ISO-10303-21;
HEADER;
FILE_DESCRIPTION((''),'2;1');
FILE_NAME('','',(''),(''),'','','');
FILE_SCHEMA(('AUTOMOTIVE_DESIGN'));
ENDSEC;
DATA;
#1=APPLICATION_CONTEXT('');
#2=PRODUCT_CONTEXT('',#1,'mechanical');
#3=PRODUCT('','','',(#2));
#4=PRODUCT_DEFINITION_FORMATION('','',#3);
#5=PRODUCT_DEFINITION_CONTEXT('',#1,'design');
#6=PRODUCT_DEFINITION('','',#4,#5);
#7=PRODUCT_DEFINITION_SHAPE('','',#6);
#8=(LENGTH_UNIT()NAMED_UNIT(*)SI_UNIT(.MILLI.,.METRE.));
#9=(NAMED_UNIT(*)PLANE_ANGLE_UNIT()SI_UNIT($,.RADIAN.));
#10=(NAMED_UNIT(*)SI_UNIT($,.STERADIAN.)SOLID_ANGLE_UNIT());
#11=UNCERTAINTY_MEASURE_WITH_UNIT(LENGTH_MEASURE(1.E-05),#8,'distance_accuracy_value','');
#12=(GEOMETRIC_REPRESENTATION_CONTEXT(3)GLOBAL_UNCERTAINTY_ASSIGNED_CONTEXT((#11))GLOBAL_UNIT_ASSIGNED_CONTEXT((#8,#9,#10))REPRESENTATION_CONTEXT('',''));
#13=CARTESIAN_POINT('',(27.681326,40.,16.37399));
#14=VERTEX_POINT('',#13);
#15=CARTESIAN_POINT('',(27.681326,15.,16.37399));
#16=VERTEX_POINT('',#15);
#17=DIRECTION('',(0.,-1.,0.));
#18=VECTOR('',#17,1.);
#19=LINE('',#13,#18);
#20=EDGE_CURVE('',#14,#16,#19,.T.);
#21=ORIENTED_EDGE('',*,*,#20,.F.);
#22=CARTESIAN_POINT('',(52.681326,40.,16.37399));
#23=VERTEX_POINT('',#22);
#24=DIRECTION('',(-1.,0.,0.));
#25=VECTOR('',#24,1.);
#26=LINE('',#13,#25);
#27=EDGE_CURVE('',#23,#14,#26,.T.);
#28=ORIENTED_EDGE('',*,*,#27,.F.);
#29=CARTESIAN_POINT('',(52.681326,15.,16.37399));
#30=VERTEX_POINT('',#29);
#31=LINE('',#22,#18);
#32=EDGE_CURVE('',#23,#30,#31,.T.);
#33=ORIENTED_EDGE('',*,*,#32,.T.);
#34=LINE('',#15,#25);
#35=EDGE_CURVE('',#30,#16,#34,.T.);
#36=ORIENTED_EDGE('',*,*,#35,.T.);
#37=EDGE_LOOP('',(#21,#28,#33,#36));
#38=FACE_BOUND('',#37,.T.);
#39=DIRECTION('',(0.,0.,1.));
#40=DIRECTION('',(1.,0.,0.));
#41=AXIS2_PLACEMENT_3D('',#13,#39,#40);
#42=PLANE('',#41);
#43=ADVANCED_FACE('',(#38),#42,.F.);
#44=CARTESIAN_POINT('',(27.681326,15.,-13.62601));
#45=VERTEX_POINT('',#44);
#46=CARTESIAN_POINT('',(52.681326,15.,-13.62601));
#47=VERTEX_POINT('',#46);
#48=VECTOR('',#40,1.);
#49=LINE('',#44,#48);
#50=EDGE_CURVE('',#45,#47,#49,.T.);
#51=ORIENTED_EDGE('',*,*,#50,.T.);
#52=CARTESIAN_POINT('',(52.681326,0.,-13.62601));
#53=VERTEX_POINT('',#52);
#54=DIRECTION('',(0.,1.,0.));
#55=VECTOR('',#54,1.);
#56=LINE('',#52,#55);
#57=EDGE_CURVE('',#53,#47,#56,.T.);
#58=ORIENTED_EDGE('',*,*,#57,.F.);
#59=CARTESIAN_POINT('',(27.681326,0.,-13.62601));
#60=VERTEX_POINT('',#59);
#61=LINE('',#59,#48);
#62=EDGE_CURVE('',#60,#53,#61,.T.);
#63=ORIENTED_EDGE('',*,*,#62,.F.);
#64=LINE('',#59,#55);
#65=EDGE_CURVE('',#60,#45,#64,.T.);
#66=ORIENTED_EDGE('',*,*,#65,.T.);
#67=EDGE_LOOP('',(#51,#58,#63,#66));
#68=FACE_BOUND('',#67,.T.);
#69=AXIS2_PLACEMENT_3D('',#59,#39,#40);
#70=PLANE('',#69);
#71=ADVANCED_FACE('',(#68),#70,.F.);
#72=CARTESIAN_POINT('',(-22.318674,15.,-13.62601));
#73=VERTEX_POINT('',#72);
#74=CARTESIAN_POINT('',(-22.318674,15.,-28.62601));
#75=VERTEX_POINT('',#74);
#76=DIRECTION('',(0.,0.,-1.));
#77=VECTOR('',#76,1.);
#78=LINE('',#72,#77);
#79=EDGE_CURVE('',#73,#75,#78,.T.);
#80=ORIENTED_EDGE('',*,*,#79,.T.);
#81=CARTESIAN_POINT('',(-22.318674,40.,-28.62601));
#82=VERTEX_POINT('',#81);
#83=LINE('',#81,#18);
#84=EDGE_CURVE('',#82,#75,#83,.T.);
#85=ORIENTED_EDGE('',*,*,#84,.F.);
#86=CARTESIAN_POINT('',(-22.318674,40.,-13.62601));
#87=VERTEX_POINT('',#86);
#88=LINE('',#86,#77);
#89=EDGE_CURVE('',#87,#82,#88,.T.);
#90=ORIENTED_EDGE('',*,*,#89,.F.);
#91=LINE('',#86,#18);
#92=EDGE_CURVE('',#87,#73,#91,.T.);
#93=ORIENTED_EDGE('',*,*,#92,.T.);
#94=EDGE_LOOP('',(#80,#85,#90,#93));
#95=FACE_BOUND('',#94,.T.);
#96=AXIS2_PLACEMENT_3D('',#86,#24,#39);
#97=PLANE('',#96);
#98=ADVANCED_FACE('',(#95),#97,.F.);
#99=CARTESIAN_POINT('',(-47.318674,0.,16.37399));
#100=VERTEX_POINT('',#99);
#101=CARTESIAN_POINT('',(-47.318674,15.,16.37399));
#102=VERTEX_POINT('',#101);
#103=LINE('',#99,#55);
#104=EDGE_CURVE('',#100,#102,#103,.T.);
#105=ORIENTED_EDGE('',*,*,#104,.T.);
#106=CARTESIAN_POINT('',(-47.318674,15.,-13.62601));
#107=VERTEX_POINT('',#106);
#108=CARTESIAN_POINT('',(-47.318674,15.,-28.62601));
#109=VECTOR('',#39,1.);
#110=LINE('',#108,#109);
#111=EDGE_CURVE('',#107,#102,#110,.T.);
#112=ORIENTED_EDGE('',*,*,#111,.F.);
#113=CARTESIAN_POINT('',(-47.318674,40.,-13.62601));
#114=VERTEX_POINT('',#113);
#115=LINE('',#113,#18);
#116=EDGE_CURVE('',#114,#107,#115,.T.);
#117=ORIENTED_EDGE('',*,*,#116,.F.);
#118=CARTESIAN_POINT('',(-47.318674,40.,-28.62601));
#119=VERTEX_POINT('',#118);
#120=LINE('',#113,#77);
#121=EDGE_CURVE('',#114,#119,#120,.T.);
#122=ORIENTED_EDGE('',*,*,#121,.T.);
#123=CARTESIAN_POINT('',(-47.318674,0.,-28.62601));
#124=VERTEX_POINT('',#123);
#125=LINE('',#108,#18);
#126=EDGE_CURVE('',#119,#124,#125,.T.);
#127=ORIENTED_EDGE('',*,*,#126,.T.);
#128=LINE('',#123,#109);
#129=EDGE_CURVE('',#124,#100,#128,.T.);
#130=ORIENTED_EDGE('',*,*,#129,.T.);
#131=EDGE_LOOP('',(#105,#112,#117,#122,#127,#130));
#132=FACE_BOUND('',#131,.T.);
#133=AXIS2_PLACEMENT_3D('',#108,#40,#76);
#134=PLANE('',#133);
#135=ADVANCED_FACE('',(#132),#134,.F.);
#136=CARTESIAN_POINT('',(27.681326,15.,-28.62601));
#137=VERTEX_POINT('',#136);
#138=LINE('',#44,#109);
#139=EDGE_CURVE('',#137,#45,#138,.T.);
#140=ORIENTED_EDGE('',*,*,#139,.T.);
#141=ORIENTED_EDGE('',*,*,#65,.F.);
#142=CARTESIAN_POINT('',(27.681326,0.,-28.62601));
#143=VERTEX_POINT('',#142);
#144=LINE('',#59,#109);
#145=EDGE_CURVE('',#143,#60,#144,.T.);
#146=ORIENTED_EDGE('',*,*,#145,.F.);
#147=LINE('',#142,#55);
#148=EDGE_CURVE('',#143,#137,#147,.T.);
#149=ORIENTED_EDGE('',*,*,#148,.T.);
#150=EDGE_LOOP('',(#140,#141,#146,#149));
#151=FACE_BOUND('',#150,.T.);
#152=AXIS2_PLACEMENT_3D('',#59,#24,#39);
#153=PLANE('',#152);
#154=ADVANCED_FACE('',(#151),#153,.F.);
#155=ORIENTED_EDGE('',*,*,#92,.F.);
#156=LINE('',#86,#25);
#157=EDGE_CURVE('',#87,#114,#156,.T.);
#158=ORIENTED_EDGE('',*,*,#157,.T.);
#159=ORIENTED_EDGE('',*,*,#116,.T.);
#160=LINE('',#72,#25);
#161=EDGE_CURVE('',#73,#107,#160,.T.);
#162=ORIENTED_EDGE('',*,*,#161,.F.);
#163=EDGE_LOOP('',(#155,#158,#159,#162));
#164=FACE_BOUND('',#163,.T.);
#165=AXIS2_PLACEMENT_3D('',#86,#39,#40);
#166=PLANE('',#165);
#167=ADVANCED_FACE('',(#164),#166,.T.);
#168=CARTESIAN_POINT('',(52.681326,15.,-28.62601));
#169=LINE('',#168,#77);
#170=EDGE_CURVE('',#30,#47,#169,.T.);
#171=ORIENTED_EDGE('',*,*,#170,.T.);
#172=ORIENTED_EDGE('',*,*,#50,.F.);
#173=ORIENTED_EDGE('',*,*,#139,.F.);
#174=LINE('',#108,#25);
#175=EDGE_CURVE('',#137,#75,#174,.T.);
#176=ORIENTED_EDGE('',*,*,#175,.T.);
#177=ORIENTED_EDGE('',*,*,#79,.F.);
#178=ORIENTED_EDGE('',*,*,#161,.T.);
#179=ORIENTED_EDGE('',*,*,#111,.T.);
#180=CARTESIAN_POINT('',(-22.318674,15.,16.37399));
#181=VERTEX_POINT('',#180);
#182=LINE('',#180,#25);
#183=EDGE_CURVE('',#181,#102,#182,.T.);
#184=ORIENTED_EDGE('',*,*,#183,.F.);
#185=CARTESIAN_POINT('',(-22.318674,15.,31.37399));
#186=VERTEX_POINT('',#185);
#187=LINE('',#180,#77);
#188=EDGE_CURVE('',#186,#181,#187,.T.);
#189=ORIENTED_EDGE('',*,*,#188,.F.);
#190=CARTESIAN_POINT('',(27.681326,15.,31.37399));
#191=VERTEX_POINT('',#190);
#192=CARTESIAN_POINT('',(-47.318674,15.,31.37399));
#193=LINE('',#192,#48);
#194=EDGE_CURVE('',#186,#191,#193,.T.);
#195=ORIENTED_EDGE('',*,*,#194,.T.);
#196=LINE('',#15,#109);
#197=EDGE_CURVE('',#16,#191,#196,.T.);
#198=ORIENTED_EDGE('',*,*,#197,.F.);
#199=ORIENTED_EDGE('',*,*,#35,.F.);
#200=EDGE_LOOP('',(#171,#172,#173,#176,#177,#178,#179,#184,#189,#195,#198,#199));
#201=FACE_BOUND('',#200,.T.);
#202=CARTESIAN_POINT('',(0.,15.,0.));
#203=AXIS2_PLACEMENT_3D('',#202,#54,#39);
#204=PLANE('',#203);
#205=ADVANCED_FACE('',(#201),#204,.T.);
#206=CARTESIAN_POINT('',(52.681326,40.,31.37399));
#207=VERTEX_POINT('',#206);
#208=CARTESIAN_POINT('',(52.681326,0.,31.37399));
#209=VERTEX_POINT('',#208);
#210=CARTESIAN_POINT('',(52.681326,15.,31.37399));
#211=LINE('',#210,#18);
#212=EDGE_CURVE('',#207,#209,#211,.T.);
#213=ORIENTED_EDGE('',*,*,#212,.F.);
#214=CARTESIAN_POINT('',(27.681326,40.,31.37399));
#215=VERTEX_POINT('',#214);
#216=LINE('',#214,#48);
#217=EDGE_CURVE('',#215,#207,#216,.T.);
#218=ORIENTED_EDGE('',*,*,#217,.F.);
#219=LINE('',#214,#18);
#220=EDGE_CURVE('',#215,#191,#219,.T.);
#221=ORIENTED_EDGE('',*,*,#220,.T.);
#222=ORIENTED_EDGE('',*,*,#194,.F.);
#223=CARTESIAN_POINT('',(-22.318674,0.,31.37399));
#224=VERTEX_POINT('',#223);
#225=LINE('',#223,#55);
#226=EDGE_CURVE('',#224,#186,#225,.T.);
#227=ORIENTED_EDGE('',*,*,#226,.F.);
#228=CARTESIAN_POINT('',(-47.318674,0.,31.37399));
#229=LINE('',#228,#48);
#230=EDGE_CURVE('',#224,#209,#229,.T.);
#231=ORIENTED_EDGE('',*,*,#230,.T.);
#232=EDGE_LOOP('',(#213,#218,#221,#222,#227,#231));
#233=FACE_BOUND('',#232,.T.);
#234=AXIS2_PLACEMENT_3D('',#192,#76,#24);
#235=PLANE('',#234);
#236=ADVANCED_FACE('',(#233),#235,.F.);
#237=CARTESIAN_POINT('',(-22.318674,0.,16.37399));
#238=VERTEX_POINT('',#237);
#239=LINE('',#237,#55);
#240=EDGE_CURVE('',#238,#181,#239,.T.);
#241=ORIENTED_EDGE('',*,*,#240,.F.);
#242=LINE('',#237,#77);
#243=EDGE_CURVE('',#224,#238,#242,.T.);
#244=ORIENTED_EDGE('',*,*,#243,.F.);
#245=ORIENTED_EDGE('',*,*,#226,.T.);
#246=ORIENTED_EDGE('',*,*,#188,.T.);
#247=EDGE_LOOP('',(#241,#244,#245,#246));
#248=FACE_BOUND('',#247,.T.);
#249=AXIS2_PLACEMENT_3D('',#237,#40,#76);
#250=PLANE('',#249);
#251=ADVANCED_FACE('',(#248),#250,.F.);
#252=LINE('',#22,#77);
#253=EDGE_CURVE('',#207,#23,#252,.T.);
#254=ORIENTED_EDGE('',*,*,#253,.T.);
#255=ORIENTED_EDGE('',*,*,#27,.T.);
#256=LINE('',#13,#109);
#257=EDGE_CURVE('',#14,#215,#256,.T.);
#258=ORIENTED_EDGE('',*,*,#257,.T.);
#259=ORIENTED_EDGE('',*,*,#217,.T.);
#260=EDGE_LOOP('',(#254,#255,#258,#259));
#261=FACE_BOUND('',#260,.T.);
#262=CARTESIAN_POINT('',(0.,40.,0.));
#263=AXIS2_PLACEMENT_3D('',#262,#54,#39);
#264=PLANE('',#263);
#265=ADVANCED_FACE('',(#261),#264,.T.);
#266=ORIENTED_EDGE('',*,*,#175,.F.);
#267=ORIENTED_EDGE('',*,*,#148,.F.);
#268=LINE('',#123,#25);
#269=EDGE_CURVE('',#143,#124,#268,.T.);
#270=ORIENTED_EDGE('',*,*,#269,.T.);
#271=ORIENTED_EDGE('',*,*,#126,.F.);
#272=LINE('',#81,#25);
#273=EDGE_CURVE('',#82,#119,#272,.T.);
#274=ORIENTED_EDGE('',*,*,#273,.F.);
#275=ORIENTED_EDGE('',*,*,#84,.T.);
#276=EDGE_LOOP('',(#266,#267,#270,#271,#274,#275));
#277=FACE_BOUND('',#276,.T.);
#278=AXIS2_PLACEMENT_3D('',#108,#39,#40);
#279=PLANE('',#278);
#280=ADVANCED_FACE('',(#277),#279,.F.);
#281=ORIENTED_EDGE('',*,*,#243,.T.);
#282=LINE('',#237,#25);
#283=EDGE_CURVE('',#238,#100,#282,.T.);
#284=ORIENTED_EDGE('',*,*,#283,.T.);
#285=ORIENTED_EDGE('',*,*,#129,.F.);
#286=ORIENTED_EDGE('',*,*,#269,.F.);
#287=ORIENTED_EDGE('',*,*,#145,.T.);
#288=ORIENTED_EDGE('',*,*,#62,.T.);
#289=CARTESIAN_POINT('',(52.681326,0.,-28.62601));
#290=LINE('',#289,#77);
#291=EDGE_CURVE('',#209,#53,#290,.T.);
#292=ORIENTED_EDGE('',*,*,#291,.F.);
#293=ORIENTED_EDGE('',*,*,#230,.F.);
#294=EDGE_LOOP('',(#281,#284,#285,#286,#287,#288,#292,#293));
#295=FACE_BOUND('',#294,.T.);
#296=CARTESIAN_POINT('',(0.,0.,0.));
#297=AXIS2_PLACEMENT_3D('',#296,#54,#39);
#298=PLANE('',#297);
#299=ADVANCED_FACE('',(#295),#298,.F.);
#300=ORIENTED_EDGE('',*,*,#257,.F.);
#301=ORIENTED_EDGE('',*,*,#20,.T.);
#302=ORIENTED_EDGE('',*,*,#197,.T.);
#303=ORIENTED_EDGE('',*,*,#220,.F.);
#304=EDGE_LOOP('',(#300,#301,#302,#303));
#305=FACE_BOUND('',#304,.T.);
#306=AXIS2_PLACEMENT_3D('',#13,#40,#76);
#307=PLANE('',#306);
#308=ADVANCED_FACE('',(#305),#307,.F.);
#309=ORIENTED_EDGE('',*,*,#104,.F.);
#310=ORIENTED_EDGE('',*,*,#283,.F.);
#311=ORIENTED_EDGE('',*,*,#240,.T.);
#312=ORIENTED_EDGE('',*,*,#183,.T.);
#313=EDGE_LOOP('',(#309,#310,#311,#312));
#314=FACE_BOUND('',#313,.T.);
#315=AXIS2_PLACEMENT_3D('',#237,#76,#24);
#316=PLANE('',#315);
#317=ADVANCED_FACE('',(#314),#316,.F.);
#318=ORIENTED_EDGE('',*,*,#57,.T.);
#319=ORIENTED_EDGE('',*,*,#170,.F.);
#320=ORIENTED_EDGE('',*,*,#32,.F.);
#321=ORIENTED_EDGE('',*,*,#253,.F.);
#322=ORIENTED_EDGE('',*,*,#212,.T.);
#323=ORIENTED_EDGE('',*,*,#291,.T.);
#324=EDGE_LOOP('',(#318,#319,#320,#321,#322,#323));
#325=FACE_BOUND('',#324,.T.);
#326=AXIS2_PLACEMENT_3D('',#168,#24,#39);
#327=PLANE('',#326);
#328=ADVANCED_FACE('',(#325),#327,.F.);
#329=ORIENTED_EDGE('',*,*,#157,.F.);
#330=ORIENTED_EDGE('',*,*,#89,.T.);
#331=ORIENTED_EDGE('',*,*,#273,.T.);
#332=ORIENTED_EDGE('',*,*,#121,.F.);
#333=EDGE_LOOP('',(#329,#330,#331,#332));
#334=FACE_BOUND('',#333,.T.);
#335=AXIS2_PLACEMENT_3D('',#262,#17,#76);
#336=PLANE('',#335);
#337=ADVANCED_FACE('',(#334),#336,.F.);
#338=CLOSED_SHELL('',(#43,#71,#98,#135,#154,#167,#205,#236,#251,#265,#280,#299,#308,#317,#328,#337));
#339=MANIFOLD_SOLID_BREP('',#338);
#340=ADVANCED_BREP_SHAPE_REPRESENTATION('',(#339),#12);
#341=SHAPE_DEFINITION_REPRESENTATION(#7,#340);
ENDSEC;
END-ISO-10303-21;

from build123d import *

# Parameters (mm, degrees)
SKETCH2_W           = 100
SKETCH2_H           = 60
BOSS_EXTRUDE1_DEPTH = 15
SKETCH3_W           = 25
SKETCH3_H           = 15
BOSS_EXTRUDE2_DEPTH = 25
SKETCH4_W           = 25
SKETCH4_H           = 15
BOSS_EXTRUDE3_DEPTH = 25
SKETCH5_W           = 25
SKETCH5_H           = 15
CUT_EXTRUDE1_DEPTH  = 15
SKETCH6_W           = 25
SKETCH6_H           = 15
CUT_EXTRUDE2_DEPTH  = 15


with BuildPart() as part:
    # Sketch2 → Boss-Extrude1 (new body)
    with BuildSketch(Plane(origin=(0, 0, 0), x_dir=(1, 0, 0), z_dir=(0, 1, 0))):
        with Locations((2.681325602, -1.373990244)):
            Rectangle(SKETCH2_W, SKETCH2_H)
    extrude(amount=BOSS_EXTRUDE1_DEPTH)

    # Sketch3 → Boss-Extrude2 (add)
    with BuildSketch(Plane(origin=(0, 15, 0), x_dir=(1, 0, 0), z_dir=(0, 1, 0))):
        with Locations((-34.818674398, 21.126009756)):
            Rectangle(SKETCH3_W, SKETCH3_H)
    extrude(amount=BOSS_EXTRUDE2_DEPTH)

    # Sketch4 → Boss-Extrude3 (add)
    with BuildSketch(Plane(origin=(0, 15, 0), x_dir=(1, 0, 0), z_dir=(0, 1, 0))):
        with Locations((40.181325602, -23.873990244)):
            Rectangle(SKETCH4_W, SKETCH4_H)
    extrude(amount=BOSS_EXTRUDE3_DEPTH)

    # Sketch5 → Cut-Extrude1 (cut)
    with BuildSketch(Plane(origin=(0, 15, 0), x_dir=(1, 0, 0), z_dir=(0, 1, 0))):
        with Locations((-34.818674398, -23.873990244)):
            Rectangle(SKETCH5_W, SKETCH5_H)
    extrude(amount=-CUT_EXTRUDE1_DEPTH, mode=Mode.SUBTRACT)

    # Sketch6 → Cut-Extrude2 (cut)
    with BuildSketch(Plane(origin=(0, 15, 0), x_dir=(1, 0, 0), z_dir=(0, 1, 0))):
        with Locations((40.181325602, 21.126009756)):
            Rectangle(SKETCH6_W, SKETCH6_H)
    extrude(amount=-CUT_EXTRUDE2_DEPTH, mode=Mode.SUBTRACT)


solid = part.part
